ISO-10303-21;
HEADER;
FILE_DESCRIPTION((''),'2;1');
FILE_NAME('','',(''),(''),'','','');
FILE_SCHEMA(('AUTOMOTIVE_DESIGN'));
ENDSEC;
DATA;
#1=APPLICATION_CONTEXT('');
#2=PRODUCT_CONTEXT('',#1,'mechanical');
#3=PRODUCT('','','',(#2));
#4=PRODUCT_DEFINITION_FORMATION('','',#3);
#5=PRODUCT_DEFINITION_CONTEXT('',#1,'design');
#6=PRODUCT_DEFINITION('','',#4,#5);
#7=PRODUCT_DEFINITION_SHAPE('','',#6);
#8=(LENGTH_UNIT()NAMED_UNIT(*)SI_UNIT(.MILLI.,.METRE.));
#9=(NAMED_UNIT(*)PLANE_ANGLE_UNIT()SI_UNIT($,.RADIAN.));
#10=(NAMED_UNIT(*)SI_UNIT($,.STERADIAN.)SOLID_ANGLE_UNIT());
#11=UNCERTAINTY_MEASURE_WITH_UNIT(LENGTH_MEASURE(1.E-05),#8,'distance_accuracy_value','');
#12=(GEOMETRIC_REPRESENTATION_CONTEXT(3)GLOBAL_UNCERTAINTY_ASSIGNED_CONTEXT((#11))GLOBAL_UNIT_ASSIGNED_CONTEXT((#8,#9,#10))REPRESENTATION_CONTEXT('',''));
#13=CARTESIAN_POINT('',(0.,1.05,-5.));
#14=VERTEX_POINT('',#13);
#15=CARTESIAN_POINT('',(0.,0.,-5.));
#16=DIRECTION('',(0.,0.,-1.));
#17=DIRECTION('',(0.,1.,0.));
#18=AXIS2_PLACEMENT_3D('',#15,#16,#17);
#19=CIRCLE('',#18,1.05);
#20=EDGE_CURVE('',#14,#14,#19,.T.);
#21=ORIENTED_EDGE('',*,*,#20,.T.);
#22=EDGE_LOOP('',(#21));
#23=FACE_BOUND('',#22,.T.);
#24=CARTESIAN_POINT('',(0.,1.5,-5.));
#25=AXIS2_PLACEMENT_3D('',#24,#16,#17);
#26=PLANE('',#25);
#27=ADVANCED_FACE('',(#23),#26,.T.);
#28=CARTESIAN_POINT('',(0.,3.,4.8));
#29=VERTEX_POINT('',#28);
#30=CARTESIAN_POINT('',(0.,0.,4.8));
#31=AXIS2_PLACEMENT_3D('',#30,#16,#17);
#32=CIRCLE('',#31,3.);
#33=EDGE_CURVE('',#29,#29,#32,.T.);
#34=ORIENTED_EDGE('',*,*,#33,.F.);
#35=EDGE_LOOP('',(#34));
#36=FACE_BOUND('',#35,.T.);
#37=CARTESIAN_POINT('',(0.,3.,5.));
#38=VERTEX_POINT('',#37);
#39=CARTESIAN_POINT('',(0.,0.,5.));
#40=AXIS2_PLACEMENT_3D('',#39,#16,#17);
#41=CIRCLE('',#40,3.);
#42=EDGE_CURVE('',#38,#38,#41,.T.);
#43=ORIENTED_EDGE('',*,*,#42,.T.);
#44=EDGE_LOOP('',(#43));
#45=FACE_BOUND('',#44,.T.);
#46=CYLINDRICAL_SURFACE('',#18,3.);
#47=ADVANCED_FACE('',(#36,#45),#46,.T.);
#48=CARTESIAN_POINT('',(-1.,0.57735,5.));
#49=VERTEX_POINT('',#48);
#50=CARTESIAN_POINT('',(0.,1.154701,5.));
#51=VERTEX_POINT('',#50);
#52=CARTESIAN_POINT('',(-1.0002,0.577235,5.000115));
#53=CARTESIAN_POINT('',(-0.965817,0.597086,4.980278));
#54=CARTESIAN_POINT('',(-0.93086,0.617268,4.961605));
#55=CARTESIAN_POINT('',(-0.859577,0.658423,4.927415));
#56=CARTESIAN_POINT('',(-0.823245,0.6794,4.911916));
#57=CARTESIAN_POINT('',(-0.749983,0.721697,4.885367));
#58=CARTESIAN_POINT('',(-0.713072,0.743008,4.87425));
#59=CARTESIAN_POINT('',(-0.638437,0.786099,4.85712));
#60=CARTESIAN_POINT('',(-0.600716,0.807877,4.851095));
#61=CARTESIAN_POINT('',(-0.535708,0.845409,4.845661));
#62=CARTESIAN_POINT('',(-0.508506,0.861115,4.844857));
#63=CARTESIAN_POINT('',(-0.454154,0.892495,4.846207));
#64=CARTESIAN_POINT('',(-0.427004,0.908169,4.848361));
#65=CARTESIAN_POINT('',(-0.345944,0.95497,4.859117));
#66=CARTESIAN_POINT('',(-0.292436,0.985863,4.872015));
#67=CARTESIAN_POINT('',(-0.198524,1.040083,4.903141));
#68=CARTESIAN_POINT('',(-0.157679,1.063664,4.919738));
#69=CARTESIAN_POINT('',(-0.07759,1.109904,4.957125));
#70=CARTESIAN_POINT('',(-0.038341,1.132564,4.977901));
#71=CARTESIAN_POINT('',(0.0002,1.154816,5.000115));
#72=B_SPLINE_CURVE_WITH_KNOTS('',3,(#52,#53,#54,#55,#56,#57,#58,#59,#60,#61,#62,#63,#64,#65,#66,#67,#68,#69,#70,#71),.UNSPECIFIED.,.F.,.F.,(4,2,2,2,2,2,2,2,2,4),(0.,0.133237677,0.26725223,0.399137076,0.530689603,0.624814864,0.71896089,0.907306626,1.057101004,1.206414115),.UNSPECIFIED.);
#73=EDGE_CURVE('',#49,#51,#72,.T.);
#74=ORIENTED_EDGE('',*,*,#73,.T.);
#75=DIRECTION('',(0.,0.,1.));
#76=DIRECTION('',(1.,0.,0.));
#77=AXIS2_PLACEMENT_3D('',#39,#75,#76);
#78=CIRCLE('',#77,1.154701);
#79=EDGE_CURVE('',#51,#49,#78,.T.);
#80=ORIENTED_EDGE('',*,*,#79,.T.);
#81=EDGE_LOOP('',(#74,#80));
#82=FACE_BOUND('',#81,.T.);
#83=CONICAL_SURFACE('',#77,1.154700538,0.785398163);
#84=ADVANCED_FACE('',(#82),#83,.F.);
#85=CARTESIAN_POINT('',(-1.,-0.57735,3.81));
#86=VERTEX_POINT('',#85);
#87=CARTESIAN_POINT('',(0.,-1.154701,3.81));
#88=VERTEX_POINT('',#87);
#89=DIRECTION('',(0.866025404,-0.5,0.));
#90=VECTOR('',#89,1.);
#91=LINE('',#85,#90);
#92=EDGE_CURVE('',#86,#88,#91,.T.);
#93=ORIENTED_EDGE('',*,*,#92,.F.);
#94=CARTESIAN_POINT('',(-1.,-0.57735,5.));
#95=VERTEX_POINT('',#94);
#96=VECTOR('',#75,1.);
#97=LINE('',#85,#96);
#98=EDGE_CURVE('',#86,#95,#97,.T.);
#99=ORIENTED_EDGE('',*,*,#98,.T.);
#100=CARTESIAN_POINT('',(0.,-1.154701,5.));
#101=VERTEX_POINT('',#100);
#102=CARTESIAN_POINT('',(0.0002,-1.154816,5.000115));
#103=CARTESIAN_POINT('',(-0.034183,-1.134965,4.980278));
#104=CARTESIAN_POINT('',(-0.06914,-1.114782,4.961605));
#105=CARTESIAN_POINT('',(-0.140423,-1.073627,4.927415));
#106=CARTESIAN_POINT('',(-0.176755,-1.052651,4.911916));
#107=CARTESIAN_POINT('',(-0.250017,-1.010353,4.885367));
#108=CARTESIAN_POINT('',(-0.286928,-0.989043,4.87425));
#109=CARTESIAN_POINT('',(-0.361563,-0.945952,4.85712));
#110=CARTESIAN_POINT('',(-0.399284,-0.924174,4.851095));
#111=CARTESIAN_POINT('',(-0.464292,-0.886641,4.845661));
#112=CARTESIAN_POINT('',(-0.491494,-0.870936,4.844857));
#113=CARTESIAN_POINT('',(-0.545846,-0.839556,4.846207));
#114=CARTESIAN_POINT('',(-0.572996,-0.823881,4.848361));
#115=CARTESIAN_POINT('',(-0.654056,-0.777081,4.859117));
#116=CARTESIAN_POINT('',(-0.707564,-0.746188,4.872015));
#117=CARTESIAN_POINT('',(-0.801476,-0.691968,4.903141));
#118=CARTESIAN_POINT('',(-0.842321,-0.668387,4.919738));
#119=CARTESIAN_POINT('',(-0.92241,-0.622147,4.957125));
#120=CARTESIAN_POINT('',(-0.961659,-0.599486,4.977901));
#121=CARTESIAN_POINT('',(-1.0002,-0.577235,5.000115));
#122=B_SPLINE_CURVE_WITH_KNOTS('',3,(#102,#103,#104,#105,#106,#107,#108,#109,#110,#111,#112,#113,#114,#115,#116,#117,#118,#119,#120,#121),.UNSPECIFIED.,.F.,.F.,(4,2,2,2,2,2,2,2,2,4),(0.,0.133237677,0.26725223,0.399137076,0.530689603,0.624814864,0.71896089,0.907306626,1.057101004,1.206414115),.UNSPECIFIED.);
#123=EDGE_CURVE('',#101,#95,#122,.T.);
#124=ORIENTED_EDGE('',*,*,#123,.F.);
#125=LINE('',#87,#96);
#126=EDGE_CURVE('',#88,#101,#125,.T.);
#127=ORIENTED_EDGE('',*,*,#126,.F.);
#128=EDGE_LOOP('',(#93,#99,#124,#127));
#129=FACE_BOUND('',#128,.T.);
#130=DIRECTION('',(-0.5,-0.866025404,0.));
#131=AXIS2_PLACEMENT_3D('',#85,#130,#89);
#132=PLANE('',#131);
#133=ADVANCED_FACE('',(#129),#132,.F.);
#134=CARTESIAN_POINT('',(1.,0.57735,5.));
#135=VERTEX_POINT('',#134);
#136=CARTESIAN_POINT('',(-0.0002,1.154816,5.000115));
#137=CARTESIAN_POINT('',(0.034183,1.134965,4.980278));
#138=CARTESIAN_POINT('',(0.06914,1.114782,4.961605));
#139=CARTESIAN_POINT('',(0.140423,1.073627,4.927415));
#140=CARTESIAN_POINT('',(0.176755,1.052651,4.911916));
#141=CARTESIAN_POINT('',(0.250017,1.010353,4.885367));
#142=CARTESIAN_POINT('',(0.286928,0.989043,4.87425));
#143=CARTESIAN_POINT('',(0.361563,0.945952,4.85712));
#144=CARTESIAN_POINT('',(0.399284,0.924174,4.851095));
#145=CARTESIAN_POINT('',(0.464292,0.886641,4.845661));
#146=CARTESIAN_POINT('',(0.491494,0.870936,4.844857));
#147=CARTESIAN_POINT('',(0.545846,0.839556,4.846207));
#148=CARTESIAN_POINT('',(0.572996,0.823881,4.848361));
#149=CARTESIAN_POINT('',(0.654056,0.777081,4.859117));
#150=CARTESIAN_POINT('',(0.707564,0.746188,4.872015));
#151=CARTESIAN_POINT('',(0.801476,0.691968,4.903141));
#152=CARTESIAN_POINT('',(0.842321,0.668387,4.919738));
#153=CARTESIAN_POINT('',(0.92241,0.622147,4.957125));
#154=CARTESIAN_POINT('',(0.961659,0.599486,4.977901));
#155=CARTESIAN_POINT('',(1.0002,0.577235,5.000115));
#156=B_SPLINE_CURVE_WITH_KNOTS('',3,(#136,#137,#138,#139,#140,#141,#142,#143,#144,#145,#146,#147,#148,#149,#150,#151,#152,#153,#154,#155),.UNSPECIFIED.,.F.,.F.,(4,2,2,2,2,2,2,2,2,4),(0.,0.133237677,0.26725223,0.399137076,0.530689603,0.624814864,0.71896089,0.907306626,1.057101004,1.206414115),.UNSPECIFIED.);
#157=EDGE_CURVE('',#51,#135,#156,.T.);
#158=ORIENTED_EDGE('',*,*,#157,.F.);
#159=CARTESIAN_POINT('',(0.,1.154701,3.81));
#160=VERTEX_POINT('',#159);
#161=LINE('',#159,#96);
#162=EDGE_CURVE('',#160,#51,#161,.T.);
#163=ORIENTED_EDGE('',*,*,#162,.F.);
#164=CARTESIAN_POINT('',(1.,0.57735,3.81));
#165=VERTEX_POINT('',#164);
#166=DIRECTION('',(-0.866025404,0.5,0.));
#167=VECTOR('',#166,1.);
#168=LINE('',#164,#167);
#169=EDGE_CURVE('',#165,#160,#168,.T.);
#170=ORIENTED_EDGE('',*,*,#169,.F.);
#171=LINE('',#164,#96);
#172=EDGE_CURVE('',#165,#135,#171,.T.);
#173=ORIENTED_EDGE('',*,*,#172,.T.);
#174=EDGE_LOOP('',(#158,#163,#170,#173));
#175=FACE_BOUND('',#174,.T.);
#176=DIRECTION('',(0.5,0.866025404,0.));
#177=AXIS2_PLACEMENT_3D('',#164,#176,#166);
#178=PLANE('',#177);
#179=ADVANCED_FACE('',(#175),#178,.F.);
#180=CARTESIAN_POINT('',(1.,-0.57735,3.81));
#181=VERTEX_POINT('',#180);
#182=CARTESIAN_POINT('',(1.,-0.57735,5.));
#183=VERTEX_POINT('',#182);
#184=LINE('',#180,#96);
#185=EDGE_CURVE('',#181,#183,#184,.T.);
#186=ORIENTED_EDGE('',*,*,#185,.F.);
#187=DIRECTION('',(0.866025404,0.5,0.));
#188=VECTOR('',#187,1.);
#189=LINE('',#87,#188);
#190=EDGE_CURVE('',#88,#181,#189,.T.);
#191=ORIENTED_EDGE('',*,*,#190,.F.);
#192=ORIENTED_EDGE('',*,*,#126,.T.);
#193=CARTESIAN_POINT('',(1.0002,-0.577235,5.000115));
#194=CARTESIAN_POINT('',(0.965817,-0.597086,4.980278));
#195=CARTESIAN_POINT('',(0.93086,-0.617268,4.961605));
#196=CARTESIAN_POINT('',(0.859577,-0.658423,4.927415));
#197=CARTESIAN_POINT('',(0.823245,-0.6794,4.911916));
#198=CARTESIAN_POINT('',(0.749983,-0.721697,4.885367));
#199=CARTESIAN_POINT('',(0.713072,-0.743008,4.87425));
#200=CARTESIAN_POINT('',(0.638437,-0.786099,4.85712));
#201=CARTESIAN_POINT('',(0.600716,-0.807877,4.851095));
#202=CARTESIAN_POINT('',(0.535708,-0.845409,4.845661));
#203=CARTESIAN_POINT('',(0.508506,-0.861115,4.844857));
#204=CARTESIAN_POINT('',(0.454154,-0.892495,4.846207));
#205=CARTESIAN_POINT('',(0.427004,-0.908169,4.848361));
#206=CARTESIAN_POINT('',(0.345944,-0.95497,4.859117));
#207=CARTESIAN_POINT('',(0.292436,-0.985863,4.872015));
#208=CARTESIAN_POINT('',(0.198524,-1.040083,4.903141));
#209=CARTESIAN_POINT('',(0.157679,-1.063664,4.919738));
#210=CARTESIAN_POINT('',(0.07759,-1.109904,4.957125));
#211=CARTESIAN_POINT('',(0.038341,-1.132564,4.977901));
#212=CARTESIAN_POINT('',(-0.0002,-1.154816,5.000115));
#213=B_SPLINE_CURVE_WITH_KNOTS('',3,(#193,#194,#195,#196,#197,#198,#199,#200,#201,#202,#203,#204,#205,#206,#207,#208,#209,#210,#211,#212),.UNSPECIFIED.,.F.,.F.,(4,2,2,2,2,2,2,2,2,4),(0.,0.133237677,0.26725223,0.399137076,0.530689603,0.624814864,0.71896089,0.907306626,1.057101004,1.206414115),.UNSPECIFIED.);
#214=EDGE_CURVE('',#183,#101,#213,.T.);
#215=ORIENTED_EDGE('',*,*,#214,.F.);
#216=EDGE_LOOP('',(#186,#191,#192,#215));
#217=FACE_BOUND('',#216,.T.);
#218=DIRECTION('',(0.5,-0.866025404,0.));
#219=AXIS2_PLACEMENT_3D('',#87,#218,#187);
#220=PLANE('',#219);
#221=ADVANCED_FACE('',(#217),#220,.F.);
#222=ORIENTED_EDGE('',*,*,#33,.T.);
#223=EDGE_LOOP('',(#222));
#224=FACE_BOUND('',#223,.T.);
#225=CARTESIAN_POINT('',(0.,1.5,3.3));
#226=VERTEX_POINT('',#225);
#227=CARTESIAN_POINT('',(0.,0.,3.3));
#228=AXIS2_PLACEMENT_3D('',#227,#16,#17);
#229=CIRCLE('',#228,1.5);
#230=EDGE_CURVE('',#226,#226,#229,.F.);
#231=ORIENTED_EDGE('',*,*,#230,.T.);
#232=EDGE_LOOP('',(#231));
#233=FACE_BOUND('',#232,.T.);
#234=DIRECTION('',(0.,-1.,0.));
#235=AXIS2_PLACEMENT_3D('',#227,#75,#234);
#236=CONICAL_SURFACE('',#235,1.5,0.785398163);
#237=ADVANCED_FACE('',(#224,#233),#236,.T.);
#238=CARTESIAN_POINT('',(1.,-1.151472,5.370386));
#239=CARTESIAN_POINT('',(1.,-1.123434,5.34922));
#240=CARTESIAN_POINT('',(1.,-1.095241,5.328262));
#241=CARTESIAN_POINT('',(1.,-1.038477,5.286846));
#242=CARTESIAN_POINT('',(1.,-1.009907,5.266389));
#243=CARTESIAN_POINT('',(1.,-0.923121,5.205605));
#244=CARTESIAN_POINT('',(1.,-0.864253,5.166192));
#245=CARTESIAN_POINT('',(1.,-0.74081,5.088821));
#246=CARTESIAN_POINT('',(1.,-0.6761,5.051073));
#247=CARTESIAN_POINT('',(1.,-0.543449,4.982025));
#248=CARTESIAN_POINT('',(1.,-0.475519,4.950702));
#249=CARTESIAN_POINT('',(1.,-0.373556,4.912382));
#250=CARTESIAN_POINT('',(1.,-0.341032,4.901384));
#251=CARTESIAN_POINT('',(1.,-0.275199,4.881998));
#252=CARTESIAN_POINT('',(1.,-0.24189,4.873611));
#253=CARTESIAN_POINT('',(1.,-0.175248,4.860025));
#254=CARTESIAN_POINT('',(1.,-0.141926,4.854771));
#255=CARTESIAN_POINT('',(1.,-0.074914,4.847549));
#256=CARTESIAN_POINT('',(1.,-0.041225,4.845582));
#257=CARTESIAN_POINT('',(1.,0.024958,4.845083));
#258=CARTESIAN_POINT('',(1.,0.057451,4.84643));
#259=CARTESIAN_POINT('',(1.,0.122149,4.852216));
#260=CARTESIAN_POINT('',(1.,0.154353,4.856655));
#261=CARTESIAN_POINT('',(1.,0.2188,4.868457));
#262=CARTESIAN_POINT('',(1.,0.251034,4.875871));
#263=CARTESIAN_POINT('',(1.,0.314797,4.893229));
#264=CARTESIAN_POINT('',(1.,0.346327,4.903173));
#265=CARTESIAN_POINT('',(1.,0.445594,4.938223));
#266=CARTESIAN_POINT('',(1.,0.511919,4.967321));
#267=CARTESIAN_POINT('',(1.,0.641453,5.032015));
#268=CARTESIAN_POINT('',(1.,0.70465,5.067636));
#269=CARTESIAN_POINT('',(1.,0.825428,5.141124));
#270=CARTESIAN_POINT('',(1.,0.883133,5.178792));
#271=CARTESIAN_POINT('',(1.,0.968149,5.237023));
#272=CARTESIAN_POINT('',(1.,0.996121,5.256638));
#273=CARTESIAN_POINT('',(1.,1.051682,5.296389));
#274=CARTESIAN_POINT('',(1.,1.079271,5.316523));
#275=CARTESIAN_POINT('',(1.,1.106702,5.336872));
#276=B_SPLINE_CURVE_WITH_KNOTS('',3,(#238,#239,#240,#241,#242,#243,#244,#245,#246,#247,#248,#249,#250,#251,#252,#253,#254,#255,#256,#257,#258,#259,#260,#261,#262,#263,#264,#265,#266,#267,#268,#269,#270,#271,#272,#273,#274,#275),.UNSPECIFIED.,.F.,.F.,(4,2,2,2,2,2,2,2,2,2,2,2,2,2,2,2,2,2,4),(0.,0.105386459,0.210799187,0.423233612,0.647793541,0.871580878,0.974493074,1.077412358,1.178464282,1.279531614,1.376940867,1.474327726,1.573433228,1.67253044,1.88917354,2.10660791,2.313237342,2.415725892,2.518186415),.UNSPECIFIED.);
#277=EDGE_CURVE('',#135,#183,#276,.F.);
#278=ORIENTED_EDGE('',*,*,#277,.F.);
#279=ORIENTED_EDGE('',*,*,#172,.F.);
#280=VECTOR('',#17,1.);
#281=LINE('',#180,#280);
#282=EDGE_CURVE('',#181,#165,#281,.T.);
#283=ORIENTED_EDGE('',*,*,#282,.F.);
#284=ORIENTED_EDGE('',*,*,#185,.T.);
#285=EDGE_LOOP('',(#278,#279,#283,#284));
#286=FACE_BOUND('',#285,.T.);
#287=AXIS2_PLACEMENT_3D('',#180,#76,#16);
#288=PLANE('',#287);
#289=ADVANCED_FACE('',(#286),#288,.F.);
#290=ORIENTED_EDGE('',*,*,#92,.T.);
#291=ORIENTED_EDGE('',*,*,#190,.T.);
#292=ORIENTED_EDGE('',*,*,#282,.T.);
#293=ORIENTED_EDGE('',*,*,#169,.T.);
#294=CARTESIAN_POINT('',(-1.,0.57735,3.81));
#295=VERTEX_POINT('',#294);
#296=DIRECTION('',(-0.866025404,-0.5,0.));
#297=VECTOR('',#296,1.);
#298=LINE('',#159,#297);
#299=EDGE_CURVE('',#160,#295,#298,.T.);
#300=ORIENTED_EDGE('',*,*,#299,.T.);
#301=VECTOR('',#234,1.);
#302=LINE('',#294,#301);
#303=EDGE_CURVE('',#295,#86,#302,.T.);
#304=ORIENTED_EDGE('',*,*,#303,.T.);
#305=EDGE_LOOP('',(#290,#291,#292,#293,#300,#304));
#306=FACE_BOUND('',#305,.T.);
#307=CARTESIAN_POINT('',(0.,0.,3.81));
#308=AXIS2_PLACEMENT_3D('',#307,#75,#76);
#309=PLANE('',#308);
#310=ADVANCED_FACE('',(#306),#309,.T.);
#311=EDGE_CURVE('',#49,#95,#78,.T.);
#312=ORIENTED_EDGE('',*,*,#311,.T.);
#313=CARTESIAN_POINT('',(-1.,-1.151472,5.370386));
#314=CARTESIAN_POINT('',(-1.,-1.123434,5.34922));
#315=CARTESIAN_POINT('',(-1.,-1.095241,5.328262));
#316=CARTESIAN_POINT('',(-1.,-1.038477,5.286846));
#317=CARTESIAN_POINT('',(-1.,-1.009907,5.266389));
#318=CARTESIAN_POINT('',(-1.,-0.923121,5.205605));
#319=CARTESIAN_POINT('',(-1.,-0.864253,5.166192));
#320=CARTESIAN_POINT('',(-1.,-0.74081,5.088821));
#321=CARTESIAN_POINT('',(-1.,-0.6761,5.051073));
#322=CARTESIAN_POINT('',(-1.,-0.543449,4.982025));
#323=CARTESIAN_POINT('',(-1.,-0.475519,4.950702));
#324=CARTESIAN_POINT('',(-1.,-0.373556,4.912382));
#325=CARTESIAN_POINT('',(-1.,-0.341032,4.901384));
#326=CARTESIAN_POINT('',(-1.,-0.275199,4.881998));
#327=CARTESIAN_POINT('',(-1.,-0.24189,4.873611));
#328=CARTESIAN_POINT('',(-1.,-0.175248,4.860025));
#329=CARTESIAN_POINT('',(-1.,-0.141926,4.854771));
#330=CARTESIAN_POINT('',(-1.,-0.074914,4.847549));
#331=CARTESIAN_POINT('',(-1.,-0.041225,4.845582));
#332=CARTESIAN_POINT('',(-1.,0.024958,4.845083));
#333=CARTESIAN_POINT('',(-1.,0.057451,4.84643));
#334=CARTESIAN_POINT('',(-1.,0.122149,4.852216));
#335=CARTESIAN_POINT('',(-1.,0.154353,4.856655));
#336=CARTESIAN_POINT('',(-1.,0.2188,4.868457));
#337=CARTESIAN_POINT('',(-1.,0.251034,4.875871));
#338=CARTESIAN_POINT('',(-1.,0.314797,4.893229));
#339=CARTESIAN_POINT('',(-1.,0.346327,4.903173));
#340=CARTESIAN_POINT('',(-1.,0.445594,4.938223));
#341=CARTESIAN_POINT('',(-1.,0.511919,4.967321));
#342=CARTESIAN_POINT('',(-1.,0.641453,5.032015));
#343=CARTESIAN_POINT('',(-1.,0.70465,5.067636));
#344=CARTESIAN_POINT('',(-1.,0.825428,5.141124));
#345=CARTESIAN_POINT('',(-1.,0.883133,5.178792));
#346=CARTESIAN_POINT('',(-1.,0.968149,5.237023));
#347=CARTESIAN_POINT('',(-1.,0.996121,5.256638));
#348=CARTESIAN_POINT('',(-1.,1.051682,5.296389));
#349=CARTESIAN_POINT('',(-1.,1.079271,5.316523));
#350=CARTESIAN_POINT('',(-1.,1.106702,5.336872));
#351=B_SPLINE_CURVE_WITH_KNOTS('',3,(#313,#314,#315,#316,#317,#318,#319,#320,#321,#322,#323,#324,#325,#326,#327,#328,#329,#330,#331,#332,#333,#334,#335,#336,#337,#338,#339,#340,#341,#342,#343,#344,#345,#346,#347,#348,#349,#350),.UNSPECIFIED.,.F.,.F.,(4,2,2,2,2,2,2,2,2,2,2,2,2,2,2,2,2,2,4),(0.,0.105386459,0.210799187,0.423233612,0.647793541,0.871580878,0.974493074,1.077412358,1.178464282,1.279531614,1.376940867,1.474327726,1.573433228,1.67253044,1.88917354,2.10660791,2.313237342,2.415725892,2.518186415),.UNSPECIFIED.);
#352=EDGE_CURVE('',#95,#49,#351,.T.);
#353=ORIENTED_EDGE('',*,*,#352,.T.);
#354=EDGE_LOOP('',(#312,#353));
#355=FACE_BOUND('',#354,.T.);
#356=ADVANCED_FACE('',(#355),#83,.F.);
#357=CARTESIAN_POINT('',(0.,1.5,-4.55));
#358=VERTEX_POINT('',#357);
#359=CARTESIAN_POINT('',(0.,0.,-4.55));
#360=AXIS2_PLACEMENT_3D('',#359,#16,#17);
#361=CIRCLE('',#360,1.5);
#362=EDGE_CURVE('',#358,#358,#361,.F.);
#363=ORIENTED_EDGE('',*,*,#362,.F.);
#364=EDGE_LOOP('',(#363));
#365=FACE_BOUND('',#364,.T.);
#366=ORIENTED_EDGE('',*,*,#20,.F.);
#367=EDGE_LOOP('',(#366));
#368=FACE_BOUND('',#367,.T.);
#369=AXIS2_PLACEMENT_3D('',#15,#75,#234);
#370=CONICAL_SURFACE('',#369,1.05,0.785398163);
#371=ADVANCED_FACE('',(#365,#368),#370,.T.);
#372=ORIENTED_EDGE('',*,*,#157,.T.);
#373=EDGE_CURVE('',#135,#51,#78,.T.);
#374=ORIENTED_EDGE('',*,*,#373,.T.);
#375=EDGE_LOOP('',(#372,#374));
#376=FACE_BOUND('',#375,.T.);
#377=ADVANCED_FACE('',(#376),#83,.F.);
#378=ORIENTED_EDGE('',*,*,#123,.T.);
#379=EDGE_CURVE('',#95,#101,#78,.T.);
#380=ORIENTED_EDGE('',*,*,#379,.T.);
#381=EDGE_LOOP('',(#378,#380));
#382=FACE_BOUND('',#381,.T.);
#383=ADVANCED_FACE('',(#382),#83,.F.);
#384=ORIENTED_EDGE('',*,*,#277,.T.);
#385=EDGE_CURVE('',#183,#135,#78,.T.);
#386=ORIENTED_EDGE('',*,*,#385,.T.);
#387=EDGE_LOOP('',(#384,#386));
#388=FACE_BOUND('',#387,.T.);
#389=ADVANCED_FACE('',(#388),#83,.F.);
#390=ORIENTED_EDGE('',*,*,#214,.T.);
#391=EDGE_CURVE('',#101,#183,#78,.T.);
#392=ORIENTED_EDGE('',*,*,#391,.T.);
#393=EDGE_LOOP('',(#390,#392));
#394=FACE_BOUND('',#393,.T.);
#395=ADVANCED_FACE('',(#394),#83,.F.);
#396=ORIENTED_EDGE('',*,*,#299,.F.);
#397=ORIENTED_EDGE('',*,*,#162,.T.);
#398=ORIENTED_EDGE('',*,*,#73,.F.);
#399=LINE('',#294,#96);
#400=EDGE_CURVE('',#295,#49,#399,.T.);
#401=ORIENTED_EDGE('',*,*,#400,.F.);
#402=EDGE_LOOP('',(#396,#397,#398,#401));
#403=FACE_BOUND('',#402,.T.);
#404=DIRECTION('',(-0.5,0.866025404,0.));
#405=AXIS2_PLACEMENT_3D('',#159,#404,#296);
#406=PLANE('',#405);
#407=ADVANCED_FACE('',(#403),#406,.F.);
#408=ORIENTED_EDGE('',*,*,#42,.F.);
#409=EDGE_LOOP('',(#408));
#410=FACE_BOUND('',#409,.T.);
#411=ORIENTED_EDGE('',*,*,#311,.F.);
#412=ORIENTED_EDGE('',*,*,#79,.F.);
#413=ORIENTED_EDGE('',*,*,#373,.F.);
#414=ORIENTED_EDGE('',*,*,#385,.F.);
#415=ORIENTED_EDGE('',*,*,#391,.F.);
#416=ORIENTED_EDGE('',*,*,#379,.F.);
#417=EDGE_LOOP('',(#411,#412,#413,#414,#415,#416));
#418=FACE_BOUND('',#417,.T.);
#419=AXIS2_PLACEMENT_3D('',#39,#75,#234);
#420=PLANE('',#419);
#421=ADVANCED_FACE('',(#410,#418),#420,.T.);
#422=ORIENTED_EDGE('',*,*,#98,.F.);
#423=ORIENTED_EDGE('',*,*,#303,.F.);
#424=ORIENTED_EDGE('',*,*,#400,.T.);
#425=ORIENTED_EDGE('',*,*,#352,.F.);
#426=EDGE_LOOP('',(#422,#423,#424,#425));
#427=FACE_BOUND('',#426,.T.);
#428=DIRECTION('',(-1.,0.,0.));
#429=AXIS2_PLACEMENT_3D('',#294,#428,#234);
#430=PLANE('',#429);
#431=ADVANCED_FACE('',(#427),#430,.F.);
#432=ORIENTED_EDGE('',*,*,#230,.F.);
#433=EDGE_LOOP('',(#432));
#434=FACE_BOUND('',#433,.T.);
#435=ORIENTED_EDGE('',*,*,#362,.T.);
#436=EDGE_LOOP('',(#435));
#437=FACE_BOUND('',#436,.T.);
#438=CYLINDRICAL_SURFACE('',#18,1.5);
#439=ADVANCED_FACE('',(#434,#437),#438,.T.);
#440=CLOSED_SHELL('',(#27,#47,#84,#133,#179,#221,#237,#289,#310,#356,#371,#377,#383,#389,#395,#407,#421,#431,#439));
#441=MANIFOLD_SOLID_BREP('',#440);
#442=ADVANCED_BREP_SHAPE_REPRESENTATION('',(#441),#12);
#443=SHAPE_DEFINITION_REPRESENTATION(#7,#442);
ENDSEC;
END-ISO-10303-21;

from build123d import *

# Parameters (mm, degrees)
SKETCH3_W          = 10
SKETCH3_H          = 1.5
CHAMFER1_SIZE      = 0.45
CUT_EXTRUDE1_DEPTH = 1.19


with BuildPart() as part:
    # Sketch3 → Revolve1 (revolve)
    with BuildSketch(Plane(origin=(0, 0, 0), x_dir=(0, 0, -1), z_dir=(1, 0, 0))):
        with Locations((0, 0.75)):
            Rectangle(SKETCH3_W, SKETCH3_H)
    revolve(axis=Axis((0, 0, -5), (0, 0, 1)))

    # Chamfer1
    chamfer1_edges = [part.edges().sort_by_distance(p)[0] for p in [
        (0, -1.5, -5),
    ]]
    chamfer(chamfer1_edges, length=CHAMFER1_SIZE)

    # Sketch6 → Revolve2 (revolve)
    with BuildSketch(Plane(origin=(0, 0, 0), x_dir=(0, 0, -1), z_dir=(1, 0, 0))):
        Polygon((-5, 3), (-4.8, 3), (-3.3, 1.5), (-3.3, 0), (-5, 0), align=None)
    revolve(axis=Axis((0, 0, -5), (0, 0, 1)))

    # Sketch8 → Cut-Extrude1 (cut)
    with BuildSketch(Plane.XY.offset(5)):
        Polygon((0, 1.154700538), (-1, 0.577350269), (-1, -0.577350269), (0, -1.154700538), (1, -0.577350269), (1, 0.577350269), align=None)
    extrude(amount=-CUT_EXTRUDE1_DEPTH, mode=Mode.SUBTRACT)

    # Cut-Extrude2 cone 1 section (through the dimple's axis) → Cut-Extrude2 (revolve, cut)
    with BuildSketch(Plane(origin=(0, 0, 5), x_dir=(0, -1, 0), z_dir=(1, 0, 0))):
        Polygon((0, 0), (1.154700538, 0), (0, 1.154700538), align=None)
    revolve(axis=Axis((0, 0, 5), (0, 0, -1)), mode=Mode.SUBTRACT)


solid = part.part
